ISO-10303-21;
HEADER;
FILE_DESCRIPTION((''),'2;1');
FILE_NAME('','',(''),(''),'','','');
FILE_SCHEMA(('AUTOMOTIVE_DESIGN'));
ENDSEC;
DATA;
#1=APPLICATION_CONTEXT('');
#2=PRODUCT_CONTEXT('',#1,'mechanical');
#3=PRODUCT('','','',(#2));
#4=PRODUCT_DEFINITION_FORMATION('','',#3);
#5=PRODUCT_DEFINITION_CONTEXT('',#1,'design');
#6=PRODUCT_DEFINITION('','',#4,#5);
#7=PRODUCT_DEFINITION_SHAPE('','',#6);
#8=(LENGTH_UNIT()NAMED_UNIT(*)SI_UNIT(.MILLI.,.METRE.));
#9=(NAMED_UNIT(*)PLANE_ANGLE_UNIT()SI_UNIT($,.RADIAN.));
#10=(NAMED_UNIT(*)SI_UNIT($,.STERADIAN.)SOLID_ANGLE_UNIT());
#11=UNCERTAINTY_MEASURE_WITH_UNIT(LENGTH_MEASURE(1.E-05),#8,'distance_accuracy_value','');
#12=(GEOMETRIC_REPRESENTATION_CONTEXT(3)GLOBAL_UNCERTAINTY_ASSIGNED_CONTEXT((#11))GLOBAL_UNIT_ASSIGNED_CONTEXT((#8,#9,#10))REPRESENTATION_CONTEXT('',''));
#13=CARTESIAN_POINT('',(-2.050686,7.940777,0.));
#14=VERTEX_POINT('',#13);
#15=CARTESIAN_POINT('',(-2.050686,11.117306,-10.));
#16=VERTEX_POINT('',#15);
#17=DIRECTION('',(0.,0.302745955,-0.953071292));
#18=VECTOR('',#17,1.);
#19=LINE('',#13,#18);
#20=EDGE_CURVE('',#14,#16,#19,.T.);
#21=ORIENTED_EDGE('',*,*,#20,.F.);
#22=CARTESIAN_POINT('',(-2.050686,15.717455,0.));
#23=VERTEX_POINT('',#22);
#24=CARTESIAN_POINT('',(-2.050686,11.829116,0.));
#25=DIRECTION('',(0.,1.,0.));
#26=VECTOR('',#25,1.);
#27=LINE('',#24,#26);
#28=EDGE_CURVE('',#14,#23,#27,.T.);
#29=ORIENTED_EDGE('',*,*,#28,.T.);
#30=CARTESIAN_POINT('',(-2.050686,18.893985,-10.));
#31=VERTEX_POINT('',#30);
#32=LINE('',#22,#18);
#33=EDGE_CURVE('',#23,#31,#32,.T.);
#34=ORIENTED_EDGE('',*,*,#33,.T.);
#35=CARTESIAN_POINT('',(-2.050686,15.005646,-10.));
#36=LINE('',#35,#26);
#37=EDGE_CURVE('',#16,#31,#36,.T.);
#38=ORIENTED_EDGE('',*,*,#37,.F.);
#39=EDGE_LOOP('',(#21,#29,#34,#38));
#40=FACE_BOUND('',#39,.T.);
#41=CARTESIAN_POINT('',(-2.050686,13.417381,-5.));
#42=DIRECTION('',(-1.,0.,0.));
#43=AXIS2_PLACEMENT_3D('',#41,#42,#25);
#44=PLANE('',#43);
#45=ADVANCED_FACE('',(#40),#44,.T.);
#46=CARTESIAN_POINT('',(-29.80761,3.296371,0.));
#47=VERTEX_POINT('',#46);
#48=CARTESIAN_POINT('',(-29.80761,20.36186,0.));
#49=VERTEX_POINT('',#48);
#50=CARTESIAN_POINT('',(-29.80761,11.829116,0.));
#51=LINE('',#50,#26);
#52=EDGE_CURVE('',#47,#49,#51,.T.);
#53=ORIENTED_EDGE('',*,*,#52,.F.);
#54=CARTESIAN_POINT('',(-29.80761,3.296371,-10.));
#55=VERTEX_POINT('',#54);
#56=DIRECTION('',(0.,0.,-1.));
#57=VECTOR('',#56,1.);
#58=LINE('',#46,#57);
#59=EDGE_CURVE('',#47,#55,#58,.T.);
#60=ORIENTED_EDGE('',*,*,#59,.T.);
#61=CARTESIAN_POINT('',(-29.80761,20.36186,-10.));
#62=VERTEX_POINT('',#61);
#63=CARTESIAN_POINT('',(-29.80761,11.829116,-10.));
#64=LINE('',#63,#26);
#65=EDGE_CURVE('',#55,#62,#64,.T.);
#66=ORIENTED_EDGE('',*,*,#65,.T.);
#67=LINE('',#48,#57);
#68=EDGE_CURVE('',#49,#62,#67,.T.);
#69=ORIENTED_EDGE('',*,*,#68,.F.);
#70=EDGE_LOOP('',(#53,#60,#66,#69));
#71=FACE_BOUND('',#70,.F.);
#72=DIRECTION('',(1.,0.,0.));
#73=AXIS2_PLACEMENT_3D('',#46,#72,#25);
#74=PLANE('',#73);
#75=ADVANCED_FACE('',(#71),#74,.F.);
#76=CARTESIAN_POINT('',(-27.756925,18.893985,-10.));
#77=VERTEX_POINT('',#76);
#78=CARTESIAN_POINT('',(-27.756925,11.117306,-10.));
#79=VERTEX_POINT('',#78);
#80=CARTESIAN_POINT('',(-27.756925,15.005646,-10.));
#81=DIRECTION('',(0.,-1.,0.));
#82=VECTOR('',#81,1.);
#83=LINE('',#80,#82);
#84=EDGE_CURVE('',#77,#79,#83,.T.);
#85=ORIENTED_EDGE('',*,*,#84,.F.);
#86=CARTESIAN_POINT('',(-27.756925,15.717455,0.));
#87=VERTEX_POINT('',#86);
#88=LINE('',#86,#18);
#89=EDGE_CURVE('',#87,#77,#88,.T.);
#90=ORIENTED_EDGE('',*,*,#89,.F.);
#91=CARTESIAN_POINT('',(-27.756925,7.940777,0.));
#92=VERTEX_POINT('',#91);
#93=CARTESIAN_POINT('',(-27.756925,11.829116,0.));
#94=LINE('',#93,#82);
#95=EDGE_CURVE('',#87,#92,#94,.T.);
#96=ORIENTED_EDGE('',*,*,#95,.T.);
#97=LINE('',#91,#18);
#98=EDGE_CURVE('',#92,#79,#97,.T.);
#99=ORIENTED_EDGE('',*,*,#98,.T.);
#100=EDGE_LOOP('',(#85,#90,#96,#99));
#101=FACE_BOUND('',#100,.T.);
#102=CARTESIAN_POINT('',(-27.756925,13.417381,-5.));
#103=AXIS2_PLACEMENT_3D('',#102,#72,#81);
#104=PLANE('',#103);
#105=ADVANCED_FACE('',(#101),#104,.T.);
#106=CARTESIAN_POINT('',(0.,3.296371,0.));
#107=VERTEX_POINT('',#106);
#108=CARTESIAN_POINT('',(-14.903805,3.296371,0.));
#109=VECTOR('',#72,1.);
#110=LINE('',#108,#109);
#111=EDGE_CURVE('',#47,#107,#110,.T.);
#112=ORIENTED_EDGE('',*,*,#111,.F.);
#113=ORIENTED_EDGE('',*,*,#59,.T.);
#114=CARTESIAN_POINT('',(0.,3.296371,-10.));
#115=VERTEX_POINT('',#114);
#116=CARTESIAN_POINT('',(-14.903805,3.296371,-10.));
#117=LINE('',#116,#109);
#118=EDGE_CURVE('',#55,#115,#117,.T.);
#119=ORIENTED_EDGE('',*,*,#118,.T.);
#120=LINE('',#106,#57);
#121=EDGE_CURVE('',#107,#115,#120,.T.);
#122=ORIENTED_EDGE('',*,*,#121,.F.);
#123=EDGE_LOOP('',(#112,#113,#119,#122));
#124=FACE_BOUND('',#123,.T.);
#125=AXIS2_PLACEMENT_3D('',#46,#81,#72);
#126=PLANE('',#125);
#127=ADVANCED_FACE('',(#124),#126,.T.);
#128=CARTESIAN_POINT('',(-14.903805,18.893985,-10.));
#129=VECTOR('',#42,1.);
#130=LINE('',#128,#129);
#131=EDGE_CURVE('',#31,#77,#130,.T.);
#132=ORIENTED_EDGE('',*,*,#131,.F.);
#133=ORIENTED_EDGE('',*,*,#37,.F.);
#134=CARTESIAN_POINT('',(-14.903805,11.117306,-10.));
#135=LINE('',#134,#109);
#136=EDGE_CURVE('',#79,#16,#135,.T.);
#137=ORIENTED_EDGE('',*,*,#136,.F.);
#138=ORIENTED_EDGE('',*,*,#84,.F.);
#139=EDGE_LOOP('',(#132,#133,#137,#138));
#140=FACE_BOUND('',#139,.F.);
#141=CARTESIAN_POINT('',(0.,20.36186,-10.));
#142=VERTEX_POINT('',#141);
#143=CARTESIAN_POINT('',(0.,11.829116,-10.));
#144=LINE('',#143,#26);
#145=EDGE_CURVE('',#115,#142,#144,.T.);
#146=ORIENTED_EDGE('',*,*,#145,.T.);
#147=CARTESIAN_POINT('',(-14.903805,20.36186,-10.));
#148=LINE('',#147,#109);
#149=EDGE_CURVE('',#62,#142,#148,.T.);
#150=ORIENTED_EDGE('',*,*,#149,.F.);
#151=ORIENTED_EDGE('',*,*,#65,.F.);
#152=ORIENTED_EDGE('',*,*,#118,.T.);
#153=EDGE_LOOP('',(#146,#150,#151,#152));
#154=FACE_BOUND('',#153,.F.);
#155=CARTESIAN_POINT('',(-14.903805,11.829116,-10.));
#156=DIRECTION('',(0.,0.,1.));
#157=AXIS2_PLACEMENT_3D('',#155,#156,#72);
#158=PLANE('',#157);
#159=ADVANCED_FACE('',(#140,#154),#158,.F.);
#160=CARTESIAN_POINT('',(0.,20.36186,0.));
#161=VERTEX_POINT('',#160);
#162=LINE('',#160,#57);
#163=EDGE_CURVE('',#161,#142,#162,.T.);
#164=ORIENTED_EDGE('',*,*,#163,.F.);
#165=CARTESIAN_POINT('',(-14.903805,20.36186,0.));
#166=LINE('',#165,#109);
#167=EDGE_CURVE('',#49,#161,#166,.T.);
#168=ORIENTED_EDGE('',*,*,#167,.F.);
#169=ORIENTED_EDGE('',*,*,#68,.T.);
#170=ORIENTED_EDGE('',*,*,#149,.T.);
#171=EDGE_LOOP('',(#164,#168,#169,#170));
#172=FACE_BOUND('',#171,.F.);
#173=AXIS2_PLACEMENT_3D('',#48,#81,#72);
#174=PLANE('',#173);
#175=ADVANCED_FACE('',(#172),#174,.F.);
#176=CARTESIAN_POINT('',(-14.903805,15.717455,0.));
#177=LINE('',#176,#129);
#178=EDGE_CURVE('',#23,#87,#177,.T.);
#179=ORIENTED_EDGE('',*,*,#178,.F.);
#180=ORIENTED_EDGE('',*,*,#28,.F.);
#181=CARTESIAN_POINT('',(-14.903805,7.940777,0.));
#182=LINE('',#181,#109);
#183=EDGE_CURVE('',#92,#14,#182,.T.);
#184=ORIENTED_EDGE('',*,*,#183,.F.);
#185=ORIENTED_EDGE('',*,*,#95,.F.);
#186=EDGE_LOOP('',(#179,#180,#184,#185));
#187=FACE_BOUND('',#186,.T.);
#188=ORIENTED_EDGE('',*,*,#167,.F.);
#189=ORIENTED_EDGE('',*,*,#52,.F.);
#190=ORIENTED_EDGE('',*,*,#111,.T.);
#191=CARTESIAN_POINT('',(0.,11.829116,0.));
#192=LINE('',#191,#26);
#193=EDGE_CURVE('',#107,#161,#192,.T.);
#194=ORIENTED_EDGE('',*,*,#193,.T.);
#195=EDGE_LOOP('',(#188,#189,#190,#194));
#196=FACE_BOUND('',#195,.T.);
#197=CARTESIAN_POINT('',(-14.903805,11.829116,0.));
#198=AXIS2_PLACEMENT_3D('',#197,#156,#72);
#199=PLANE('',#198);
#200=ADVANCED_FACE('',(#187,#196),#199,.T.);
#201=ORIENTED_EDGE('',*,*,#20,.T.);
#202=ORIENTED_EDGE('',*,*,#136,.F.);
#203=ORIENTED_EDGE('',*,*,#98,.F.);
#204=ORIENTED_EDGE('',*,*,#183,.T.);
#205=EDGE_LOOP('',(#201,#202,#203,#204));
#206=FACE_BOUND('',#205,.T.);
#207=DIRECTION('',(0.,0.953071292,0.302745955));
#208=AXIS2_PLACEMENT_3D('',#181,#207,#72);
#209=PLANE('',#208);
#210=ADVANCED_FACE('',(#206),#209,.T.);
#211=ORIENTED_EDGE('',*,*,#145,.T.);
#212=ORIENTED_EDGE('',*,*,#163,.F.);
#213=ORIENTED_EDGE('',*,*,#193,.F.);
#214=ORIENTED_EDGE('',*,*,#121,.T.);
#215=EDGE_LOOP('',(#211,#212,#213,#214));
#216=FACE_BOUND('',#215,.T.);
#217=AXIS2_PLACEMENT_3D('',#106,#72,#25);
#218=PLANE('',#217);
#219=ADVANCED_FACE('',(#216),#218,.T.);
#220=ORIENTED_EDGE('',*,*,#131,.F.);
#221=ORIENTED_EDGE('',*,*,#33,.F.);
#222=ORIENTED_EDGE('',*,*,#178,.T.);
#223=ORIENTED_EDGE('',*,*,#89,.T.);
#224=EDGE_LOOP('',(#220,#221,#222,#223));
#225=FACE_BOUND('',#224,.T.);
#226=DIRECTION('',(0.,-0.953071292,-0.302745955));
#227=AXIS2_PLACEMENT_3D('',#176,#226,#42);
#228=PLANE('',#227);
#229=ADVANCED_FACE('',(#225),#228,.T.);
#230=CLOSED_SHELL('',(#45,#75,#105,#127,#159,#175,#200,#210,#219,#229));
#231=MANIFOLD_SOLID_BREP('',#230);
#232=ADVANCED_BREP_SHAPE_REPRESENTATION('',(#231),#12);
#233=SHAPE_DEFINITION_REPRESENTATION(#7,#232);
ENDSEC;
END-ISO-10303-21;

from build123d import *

# Parameters (mm, degrees)
F0_W     = 29.80761
F0_H     = 17.065489
F0_W_2   = 25.706239
F0_H_2   = 7.776679
F1_DEPTH = 10


with BuildPart() as f1:
    # F0 (on Top) → F1 (new body)
    with BuildSketch(Plane.XY):
        with Locations((-14.903805, 11.829116)):
            Rectangle(F0_W, F0_H)
        with Locations((-14.903805, 11.829116)):
            Rectangle(F0_W_2, F0_H_2, mode=Mode.SUBTRACT)
        with Locations((-14.903805, 11.829116)):
            Rectangle(F0_W_2, F0_H_2)
    extrude(amount=-F1_DEPTH)

    # F3: sweep along a path in F2
    with BuildLine(Plane.YZ) as f3_path:
        Line((11.829115, 0), (15.005645, -10))
    # F0 (on Top) → F3 (sweep, cut)
    with BuildSketch(Plane.XY):
        with Locations((-14.903805, 11.829116)):
            Rectangle(F0_W_2, F0_H_2)
    sweep(path=f3_path.line, mode=Mode.SUBTRACT)


solid = f1.part
